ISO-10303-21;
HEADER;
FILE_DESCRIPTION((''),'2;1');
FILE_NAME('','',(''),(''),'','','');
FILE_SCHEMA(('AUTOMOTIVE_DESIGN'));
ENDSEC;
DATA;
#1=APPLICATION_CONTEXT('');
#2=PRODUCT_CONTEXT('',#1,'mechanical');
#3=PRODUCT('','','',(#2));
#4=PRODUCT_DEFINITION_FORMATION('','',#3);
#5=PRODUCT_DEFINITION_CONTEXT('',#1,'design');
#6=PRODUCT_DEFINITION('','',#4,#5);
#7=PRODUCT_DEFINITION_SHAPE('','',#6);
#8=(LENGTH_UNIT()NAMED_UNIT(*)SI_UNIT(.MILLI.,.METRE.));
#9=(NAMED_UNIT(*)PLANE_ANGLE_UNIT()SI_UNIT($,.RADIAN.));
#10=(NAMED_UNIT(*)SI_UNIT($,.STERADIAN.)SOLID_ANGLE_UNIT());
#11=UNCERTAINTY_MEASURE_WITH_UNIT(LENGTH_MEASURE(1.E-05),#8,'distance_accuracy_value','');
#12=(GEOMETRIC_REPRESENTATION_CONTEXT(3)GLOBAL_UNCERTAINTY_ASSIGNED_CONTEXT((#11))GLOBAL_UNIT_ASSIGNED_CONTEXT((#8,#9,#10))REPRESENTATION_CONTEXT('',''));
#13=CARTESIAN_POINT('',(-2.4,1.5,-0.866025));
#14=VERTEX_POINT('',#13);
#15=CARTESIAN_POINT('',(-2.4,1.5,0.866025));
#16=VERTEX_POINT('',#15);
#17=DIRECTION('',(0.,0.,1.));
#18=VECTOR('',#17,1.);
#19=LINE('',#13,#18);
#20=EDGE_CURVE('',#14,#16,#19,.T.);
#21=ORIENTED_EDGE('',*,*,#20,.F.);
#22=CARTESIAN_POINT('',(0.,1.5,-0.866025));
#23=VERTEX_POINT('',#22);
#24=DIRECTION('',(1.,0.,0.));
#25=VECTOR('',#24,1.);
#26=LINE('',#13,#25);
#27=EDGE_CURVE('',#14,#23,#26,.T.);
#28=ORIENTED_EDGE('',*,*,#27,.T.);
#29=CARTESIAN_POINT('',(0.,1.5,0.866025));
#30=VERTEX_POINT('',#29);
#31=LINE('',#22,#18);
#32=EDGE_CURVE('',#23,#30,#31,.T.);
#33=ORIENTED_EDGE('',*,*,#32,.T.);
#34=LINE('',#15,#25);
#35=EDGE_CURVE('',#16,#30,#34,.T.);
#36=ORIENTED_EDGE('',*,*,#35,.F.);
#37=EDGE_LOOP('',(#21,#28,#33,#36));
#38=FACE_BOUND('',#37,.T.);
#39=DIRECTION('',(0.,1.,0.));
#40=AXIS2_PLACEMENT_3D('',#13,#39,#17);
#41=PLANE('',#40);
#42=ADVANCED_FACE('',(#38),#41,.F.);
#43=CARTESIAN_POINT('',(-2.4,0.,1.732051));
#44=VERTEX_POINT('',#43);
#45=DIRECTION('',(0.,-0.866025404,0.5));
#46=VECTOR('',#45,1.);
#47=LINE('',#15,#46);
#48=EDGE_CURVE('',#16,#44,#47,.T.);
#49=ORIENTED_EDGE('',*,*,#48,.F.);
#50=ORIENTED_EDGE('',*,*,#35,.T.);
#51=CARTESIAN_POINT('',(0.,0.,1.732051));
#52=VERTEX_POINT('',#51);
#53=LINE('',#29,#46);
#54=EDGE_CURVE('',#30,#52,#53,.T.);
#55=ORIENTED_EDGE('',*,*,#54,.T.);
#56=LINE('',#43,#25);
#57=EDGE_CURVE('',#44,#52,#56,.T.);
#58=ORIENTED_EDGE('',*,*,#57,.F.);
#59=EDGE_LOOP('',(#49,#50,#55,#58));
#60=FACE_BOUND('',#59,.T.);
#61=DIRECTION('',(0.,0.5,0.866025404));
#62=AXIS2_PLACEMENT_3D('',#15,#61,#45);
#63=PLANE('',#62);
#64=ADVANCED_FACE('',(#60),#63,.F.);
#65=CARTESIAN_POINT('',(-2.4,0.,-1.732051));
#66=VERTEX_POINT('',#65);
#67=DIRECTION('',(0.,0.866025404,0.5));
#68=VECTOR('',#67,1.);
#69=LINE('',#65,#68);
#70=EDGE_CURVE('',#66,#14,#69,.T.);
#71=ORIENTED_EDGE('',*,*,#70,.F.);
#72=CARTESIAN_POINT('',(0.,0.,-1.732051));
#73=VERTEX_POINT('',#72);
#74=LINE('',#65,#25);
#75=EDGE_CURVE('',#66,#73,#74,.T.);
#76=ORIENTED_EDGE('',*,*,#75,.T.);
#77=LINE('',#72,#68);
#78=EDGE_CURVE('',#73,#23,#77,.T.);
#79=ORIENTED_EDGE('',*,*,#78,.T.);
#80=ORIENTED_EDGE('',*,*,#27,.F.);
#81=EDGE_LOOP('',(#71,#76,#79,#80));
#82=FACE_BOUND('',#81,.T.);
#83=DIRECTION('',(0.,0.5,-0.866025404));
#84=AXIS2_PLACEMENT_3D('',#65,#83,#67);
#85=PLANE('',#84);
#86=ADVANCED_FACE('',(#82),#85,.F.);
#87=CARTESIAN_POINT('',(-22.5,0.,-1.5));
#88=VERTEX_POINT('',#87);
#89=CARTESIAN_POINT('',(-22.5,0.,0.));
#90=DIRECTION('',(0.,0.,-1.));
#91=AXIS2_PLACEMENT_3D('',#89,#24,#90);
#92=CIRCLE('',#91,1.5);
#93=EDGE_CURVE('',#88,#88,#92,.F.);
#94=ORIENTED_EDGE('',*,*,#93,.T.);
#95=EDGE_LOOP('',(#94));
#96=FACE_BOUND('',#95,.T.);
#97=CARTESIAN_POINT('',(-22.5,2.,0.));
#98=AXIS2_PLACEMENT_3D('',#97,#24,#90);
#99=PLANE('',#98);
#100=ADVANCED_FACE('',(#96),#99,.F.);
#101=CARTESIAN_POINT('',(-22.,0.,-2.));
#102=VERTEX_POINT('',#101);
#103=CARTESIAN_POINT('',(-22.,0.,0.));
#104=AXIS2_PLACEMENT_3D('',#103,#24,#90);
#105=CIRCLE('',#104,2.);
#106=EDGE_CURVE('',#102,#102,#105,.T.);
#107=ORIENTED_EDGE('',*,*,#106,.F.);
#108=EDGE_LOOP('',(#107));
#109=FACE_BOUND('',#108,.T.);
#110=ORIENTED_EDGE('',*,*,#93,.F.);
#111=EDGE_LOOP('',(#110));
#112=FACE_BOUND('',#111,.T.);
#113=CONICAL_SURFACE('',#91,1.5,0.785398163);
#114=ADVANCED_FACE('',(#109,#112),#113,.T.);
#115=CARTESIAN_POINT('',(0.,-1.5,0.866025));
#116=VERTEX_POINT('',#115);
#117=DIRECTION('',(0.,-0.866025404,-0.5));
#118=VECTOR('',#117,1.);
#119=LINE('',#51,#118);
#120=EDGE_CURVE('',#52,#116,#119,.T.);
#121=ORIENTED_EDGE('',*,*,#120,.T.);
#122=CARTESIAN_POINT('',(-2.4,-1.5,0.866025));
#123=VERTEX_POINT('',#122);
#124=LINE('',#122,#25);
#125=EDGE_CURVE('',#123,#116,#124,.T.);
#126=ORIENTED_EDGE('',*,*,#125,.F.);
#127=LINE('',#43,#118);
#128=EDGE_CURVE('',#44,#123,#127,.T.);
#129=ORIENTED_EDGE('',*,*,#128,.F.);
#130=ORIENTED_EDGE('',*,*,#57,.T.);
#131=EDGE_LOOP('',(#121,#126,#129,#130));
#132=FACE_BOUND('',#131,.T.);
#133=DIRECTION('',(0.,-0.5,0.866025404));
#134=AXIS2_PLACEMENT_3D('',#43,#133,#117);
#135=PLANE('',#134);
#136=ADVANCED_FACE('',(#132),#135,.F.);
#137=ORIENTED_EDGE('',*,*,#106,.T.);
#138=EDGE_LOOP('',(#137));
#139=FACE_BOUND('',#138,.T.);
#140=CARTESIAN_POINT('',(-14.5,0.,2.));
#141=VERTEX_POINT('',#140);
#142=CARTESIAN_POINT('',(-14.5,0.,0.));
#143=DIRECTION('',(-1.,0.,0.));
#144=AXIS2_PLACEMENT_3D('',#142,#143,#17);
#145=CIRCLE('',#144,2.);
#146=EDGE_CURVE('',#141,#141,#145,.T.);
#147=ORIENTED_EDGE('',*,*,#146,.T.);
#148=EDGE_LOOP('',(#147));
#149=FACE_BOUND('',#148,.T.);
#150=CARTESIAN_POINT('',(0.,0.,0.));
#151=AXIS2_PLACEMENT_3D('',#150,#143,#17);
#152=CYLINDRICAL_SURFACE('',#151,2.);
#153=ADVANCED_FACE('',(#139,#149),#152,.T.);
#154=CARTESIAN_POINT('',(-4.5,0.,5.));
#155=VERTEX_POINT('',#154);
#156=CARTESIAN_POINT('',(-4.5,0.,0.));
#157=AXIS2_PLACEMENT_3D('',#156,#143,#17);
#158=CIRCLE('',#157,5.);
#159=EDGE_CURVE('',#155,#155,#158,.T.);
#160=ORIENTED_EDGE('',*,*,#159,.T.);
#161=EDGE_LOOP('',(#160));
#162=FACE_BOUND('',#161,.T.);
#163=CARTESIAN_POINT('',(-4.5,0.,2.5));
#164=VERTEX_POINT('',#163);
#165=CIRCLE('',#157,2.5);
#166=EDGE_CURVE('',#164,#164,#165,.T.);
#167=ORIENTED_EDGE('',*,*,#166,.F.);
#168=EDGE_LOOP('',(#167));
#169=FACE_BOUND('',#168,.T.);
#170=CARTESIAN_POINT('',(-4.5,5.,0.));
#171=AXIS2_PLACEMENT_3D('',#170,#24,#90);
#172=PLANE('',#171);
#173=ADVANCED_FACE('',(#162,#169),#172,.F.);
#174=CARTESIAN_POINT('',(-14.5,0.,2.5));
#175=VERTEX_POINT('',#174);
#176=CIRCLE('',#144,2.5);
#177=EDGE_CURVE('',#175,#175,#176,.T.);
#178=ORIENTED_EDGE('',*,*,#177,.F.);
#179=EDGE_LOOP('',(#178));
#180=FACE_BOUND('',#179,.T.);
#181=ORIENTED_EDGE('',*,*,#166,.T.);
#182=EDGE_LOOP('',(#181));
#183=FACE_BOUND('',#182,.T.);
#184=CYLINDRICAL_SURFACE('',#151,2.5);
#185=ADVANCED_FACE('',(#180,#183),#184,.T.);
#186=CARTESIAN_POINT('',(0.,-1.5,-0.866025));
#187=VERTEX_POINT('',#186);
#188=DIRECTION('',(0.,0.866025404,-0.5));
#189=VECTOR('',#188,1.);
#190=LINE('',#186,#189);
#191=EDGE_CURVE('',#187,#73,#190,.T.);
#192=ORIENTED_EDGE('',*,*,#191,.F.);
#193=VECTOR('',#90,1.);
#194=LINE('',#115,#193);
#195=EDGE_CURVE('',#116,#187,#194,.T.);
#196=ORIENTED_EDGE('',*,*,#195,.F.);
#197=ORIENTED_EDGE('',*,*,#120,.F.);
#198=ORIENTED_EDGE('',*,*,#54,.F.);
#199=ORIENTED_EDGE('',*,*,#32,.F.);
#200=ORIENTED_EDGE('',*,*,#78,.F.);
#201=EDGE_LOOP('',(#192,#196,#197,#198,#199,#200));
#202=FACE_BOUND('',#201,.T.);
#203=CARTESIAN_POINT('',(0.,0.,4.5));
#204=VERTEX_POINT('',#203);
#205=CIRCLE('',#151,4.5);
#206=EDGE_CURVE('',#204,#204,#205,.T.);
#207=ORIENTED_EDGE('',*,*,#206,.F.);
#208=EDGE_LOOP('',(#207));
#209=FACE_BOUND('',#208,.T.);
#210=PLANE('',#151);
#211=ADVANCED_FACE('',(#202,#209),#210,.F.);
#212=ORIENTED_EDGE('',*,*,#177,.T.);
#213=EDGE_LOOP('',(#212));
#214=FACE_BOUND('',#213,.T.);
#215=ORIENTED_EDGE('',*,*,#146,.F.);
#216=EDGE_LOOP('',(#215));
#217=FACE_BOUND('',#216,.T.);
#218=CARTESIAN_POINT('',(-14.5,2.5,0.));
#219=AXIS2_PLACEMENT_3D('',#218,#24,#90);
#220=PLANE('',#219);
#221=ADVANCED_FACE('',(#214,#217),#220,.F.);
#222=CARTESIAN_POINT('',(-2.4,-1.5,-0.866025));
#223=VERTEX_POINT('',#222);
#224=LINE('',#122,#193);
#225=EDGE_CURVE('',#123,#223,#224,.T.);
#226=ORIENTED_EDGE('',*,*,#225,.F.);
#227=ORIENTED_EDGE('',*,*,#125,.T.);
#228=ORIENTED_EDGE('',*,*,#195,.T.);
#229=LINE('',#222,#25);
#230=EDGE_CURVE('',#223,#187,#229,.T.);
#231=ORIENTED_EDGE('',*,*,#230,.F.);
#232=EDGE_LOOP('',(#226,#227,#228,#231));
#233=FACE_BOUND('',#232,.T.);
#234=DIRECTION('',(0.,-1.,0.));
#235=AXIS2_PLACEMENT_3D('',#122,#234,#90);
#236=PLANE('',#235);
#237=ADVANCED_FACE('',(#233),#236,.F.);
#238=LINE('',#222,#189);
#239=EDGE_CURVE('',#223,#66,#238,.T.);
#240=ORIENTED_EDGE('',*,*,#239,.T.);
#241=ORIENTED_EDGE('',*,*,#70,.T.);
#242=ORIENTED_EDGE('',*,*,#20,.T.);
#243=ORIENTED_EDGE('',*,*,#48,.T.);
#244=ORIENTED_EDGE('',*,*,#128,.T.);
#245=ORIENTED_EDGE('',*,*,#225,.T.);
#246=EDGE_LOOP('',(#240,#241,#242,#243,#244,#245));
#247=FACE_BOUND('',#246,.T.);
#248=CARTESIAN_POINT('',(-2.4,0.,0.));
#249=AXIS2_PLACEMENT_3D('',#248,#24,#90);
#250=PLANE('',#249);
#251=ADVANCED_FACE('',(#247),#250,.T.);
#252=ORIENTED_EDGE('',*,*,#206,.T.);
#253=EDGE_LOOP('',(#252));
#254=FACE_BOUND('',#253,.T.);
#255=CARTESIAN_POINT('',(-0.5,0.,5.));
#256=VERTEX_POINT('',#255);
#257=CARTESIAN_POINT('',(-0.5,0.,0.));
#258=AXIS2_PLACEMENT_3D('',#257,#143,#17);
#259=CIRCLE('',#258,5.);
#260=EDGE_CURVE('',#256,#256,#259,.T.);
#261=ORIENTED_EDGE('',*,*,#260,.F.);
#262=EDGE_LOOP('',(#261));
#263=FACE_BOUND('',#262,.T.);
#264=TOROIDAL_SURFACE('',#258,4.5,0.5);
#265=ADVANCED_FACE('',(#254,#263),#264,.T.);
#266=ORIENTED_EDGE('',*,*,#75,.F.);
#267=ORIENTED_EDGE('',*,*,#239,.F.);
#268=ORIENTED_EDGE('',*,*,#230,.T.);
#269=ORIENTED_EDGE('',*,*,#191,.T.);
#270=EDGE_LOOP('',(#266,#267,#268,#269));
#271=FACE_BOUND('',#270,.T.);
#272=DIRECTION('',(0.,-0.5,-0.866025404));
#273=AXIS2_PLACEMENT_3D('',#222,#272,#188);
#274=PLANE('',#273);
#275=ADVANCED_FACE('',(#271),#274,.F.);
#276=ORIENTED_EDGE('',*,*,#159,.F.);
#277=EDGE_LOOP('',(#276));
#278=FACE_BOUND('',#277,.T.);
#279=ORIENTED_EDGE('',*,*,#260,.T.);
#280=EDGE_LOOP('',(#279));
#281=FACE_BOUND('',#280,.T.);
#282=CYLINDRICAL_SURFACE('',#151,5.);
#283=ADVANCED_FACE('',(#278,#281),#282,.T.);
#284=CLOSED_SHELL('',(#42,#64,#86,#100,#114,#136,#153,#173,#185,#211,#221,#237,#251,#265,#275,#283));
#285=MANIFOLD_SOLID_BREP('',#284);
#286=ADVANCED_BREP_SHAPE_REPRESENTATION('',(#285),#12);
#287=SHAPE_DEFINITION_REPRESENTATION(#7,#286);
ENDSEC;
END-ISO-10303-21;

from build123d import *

# Parameters (mm, degrees)
CHAMFER1_SIZE      = 0.5
CUT_EXTRUDE1_DEPTH = 2.4


with BuildPart() as part:
    # Sketch1 → Revolve1 (revolve)
    with BuildSketch(Plane.XY):
        with BuildLine():
            Line((0, 0), (0, 4.5))
            ThreePointArc((0, 4.5), (-0.146446609, 4.853553391), (-0.5, 5))
            Line((-0.5, 5), (-4.5, 5))
            Line((-4.5, 5), (-4.5, 2.5))
            Line((-4.5, 2.5), (-14.5, 2.5))
            Line((-14.5, 2.5), (-14.5, 2))
            Line((-14.5, 2), (-22.5, 2))
            Line((-22.5, 2), (-22.5, 0))
            Line((-22.5, 0), (0, 0))
        make_face()
    revolve(axis=Axis((0, 0, 0), (1, 0, 0)))

    # Chamfer1
    chamfer1_edges = [part.edges().sort_by_distance(p)[0] for p in [
        (-22.5, -2, 0),
    ]]
    chamfer(chamfer1_edges, length=CHAMFER1_SIZE)

    # Sketch2 → Cut-Extrude1 (cut)
    with BuildSketch(Plane(origin=(0, 0, 0), x_dir=(0, 0, -1), z_dir=(1, 0, 0))):
        Polygon((1.732050808, 0), (0.866025404, 1.5), (-0.866025404, 1.5), (-1.732050808, 0), (-0.866025404, -1.5), (0.866025404, -1.5), align=None)
    extrude(amount=-CUT_EXTRUDE1_DEPTH, mode=Mode.SUBTRACT)


solid = part.part
